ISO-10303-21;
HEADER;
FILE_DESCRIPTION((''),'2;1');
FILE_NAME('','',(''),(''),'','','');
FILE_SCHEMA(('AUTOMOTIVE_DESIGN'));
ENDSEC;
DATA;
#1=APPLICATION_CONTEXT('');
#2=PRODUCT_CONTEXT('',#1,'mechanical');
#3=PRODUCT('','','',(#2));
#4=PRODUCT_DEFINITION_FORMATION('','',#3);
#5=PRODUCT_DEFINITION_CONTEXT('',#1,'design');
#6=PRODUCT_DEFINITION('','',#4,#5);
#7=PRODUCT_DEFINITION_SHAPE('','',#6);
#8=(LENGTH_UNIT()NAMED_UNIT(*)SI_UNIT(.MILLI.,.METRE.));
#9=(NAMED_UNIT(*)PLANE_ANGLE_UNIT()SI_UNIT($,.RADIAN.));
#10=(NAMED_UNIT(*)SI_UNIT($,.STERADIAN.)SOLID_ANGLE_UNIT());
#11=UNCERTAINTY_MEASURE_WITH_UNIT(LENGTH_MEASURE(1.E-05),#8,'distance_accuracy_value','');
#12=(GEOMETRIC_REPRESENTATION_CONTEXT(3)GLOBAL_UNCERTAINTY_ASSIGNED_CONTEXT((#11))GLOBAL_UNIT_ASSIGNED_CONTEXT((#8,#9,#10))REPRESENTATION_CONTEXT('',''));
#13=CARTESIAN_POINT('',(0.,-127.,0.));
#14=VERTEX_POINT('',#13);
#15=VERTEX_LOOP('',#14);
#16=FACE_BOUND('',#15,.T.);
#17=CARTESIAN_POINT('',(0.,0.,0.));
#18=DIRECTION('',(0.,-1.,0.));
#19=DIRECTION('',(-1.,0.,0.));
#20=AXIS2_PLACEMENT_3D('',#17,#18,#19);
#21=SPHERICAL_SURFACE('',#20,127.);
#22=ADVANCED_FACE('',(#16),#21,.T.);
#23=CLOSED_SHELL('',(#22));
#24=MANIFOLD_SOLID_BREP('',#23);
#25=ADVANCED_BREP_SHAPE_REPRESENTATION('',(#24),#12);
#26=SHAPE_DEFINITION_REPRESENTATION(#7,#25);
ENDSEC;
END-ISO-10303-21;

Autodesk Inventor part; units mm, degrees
ref_plane "YZ Plane" through (0, 0, 0) normal (1, 0, 0) x (0, 1, 0)
ref_plane "XZ Plane" through (0, 0, 0) normal (0, 1, 0) x (-1, 0, 0)
ref_plane "XY Plane" through (0, 0, 0) normal (0, 0, 1) x (1, 0, 0)
sketch "Sketch1" plane through (0, 0, 0) normal (0, 0, 1) x (1, 0, 0)
  circle A0 centre (0, 0) radius 127
  line L0 (0, 127) -> (0, -127)
  dimension "d0" = 254
revolve "Revolution1" add sketch "Sketch1" angle 360 about axis through (0, 127, 0) along (0, -1, 0) picked at (-39.5824, 15.0116) contours L0 A0
properties part number "Boulder"
